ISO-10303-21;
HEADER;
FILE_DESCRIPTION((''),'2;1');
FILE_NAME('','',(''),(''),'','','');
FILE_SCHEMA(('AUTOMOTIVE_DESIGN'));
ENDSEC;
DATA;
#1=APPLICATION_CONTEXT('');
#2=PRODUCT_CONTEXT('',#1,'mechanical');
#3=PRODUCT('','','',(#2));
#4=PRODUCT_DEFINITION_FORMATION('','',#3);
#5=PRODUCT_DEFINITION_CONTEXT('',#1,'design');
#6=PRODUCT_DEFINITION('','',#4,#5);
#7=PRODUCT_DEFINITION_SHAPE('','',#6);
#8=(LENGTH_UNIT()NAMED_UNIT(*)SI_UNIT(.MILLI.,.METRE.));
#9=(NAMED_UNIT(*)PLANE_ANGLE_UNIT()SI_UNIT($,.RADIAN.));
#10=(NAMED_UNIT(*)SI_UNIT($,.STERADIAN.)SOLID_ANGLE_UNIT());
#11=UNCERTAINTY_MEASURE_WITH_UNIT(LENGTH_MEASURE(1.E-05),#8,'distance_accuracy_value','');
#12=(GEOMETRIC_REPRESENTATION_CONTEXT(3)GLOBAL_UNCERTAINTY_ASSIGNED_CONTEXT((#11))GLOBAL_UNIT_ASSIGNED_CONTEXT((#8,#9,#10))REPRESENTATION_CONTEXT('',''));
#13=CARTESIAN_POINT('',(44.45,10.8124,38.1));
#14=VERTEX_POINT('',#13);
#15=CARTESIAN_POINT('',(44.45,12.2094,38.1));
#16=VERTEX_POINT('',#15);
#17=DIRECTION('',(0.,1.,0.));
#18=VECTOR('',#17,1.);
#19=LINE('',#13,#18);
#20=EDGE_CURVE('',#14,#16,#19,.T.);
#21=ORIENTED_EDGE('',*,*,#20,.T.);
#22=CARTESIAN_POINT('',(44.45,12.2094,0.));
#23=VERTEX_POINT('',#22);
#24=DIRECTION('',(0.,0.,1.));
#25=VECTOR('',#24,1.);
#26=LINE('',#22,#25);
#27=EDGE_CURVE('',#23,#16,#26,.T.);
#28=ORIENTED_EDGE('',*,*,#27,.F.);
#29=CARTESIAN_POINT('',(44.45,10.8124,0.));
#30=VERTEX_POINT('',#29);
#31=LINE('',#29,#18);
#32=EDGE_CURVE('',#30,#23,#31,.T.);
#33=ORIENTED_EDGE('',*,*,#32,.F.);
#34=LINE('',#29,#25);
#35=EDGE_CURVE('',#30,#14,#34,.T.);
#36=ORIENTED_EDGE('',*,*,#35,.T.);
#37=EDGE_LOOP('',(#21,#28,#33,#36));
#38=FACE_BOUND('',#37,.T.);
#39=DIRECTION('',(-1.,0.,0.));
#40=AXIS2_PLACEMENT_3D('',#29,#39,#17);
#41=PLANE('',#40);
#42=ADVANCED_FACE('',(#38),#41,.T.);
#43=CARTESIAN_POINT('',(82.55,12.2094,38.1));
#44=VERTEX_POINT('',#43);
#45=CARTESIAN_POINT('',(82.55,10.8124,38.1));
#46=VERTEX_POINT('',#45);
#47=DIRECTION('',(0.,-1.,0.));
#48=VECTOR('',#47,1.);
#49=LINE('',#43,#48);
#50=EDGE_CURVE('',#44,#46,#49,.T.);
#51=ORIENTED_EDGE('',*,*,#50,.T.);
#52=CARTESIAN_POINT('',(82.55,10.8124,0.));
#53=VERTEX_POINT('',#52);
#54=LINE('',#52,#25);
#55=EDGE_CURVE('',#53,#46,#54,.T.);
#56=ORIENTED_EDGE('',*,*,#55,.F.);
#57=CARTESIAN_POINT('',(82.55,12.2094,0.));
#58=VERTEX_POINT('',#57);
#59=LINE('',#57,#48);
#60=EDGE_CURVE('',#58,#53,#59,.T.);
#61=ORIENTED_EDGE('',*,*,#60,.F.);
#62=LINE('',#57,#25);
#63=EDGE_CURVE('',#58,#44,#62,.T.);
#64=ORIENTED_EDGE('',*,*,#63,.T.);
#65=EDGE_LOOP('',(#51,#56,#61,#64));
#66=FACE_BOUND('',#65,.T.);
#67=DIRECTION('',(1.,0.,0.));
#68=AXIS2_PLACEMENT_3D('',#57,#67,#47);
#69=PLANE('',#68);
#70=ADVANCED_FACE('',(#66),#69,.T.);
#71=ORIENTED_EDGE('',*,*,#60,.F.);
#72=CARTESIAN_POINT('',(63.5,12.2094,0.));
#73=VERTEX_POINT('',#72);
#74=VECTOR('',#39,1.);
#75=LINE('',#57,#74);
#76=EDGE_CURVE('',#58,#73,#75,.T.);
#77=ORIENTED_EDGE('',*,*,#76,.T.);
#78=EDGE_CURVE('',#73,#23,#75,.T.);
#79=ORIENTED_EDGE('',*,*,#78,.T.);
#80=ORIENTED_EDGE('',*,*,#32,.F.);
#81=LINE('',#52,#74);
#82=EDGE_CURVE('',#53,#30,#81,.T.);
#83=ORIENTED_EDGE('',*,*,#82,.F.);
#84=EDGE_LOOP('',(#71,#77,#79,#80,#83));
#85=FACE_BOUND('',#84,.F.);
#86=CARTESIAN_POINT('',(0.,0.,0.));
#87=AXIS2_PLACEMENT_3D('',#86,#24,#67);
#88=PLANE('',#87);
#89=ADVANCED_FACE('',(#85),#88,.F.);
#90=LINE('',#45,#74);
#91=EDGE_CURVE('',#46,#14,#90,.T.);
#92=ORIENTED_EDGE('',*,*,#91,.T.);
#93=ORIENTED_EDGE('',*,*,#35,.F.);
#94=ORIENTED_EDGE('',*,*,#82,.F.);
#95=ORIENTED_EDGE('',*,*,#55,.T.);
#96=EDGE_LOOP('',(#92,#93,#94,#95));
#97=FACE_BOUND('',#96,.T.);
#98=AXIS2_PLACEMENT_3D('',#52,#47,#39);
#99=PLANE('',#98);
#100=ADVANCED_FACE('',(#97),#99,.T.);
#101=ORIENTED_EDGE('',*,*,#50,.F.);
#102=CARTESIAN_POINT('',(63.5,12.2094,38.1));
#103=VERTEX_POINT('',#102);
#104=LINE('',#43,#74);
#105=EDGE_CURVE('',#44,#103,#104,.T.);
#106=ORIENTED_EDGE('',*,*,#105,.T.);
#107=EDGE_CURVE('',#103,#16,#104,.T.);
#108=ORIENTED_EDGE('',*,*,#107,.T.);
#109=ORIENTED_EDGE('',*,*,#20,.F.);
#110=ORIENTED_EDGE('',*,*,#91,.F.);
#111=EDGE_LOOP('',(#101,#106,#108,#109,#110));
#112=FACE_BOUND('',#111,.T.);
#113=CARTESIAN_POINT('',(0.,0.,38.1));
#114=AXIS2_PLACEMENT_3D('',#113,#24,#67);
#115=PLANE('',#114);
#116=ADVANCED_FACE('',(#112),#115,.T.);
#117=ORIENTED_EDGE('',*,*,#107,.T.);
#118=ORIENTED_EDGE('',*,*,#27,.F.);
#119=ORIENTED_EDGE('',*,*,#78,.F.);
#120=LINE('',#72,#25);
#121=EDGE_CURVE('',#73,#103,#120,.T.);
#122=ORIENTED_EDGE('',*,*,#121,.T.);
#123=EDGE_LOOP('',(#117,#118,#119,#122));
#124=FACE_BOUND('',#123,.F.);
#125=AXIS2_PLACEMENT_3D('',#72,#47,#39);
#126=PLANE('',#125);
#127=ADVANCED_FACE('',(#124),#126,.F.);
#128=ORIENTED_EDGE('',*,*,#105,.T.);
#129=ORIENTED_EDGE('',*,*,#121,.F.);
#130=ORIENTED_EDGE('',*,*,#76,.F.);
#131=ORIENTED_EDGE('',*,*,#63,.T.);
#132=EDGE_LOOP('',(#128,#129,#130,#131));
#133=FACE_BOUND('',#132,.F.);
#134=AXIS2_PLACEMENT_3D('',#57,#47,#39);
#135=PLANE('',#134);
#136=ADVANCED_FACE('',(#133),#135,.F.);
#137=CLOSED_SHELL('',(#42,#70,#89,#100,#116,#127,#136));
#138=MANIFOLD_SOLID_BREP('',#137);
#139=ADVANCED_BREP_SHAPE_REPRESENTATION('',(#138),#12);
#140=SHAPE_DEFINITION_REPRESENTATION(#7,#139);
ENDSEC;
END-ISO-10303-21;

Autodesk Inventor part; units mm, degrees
ref_plane "YZ Plane" through (0, 0, 0) normal (1, 0, 0) x (0, 1, 0)
ref_plane "XZ Plane" through (0, 0, 0) normal (0, 1, 0) x (-1, 0, 0)
ref_plane "XY Plane" through (0, 0, 0) normal (0, 0, 1) x (1, 0, 0)
sketch "Sketch1" plane through (0, 0, 0) normal (0, 0, 1) x (1, 0, 0)
  line L0 (82.55, 12.2094) -> (44.45, 12.2094)
  line L1 (44.45, 12.2094) -> (63.5, 12.2094)
  line L2 (82.55, 12.2094) -> (82.55, 10.8124)
  line L3 (82.55, 10.8124) -> (44.45, 10.8124)
  line L4 (44.45, 10.8124) -> (44.45, 12.2094)
extrude "Extrusion1" add sketch "Sketch1" along normal blind 38.1
properties part number "Tabs 1 inch"
